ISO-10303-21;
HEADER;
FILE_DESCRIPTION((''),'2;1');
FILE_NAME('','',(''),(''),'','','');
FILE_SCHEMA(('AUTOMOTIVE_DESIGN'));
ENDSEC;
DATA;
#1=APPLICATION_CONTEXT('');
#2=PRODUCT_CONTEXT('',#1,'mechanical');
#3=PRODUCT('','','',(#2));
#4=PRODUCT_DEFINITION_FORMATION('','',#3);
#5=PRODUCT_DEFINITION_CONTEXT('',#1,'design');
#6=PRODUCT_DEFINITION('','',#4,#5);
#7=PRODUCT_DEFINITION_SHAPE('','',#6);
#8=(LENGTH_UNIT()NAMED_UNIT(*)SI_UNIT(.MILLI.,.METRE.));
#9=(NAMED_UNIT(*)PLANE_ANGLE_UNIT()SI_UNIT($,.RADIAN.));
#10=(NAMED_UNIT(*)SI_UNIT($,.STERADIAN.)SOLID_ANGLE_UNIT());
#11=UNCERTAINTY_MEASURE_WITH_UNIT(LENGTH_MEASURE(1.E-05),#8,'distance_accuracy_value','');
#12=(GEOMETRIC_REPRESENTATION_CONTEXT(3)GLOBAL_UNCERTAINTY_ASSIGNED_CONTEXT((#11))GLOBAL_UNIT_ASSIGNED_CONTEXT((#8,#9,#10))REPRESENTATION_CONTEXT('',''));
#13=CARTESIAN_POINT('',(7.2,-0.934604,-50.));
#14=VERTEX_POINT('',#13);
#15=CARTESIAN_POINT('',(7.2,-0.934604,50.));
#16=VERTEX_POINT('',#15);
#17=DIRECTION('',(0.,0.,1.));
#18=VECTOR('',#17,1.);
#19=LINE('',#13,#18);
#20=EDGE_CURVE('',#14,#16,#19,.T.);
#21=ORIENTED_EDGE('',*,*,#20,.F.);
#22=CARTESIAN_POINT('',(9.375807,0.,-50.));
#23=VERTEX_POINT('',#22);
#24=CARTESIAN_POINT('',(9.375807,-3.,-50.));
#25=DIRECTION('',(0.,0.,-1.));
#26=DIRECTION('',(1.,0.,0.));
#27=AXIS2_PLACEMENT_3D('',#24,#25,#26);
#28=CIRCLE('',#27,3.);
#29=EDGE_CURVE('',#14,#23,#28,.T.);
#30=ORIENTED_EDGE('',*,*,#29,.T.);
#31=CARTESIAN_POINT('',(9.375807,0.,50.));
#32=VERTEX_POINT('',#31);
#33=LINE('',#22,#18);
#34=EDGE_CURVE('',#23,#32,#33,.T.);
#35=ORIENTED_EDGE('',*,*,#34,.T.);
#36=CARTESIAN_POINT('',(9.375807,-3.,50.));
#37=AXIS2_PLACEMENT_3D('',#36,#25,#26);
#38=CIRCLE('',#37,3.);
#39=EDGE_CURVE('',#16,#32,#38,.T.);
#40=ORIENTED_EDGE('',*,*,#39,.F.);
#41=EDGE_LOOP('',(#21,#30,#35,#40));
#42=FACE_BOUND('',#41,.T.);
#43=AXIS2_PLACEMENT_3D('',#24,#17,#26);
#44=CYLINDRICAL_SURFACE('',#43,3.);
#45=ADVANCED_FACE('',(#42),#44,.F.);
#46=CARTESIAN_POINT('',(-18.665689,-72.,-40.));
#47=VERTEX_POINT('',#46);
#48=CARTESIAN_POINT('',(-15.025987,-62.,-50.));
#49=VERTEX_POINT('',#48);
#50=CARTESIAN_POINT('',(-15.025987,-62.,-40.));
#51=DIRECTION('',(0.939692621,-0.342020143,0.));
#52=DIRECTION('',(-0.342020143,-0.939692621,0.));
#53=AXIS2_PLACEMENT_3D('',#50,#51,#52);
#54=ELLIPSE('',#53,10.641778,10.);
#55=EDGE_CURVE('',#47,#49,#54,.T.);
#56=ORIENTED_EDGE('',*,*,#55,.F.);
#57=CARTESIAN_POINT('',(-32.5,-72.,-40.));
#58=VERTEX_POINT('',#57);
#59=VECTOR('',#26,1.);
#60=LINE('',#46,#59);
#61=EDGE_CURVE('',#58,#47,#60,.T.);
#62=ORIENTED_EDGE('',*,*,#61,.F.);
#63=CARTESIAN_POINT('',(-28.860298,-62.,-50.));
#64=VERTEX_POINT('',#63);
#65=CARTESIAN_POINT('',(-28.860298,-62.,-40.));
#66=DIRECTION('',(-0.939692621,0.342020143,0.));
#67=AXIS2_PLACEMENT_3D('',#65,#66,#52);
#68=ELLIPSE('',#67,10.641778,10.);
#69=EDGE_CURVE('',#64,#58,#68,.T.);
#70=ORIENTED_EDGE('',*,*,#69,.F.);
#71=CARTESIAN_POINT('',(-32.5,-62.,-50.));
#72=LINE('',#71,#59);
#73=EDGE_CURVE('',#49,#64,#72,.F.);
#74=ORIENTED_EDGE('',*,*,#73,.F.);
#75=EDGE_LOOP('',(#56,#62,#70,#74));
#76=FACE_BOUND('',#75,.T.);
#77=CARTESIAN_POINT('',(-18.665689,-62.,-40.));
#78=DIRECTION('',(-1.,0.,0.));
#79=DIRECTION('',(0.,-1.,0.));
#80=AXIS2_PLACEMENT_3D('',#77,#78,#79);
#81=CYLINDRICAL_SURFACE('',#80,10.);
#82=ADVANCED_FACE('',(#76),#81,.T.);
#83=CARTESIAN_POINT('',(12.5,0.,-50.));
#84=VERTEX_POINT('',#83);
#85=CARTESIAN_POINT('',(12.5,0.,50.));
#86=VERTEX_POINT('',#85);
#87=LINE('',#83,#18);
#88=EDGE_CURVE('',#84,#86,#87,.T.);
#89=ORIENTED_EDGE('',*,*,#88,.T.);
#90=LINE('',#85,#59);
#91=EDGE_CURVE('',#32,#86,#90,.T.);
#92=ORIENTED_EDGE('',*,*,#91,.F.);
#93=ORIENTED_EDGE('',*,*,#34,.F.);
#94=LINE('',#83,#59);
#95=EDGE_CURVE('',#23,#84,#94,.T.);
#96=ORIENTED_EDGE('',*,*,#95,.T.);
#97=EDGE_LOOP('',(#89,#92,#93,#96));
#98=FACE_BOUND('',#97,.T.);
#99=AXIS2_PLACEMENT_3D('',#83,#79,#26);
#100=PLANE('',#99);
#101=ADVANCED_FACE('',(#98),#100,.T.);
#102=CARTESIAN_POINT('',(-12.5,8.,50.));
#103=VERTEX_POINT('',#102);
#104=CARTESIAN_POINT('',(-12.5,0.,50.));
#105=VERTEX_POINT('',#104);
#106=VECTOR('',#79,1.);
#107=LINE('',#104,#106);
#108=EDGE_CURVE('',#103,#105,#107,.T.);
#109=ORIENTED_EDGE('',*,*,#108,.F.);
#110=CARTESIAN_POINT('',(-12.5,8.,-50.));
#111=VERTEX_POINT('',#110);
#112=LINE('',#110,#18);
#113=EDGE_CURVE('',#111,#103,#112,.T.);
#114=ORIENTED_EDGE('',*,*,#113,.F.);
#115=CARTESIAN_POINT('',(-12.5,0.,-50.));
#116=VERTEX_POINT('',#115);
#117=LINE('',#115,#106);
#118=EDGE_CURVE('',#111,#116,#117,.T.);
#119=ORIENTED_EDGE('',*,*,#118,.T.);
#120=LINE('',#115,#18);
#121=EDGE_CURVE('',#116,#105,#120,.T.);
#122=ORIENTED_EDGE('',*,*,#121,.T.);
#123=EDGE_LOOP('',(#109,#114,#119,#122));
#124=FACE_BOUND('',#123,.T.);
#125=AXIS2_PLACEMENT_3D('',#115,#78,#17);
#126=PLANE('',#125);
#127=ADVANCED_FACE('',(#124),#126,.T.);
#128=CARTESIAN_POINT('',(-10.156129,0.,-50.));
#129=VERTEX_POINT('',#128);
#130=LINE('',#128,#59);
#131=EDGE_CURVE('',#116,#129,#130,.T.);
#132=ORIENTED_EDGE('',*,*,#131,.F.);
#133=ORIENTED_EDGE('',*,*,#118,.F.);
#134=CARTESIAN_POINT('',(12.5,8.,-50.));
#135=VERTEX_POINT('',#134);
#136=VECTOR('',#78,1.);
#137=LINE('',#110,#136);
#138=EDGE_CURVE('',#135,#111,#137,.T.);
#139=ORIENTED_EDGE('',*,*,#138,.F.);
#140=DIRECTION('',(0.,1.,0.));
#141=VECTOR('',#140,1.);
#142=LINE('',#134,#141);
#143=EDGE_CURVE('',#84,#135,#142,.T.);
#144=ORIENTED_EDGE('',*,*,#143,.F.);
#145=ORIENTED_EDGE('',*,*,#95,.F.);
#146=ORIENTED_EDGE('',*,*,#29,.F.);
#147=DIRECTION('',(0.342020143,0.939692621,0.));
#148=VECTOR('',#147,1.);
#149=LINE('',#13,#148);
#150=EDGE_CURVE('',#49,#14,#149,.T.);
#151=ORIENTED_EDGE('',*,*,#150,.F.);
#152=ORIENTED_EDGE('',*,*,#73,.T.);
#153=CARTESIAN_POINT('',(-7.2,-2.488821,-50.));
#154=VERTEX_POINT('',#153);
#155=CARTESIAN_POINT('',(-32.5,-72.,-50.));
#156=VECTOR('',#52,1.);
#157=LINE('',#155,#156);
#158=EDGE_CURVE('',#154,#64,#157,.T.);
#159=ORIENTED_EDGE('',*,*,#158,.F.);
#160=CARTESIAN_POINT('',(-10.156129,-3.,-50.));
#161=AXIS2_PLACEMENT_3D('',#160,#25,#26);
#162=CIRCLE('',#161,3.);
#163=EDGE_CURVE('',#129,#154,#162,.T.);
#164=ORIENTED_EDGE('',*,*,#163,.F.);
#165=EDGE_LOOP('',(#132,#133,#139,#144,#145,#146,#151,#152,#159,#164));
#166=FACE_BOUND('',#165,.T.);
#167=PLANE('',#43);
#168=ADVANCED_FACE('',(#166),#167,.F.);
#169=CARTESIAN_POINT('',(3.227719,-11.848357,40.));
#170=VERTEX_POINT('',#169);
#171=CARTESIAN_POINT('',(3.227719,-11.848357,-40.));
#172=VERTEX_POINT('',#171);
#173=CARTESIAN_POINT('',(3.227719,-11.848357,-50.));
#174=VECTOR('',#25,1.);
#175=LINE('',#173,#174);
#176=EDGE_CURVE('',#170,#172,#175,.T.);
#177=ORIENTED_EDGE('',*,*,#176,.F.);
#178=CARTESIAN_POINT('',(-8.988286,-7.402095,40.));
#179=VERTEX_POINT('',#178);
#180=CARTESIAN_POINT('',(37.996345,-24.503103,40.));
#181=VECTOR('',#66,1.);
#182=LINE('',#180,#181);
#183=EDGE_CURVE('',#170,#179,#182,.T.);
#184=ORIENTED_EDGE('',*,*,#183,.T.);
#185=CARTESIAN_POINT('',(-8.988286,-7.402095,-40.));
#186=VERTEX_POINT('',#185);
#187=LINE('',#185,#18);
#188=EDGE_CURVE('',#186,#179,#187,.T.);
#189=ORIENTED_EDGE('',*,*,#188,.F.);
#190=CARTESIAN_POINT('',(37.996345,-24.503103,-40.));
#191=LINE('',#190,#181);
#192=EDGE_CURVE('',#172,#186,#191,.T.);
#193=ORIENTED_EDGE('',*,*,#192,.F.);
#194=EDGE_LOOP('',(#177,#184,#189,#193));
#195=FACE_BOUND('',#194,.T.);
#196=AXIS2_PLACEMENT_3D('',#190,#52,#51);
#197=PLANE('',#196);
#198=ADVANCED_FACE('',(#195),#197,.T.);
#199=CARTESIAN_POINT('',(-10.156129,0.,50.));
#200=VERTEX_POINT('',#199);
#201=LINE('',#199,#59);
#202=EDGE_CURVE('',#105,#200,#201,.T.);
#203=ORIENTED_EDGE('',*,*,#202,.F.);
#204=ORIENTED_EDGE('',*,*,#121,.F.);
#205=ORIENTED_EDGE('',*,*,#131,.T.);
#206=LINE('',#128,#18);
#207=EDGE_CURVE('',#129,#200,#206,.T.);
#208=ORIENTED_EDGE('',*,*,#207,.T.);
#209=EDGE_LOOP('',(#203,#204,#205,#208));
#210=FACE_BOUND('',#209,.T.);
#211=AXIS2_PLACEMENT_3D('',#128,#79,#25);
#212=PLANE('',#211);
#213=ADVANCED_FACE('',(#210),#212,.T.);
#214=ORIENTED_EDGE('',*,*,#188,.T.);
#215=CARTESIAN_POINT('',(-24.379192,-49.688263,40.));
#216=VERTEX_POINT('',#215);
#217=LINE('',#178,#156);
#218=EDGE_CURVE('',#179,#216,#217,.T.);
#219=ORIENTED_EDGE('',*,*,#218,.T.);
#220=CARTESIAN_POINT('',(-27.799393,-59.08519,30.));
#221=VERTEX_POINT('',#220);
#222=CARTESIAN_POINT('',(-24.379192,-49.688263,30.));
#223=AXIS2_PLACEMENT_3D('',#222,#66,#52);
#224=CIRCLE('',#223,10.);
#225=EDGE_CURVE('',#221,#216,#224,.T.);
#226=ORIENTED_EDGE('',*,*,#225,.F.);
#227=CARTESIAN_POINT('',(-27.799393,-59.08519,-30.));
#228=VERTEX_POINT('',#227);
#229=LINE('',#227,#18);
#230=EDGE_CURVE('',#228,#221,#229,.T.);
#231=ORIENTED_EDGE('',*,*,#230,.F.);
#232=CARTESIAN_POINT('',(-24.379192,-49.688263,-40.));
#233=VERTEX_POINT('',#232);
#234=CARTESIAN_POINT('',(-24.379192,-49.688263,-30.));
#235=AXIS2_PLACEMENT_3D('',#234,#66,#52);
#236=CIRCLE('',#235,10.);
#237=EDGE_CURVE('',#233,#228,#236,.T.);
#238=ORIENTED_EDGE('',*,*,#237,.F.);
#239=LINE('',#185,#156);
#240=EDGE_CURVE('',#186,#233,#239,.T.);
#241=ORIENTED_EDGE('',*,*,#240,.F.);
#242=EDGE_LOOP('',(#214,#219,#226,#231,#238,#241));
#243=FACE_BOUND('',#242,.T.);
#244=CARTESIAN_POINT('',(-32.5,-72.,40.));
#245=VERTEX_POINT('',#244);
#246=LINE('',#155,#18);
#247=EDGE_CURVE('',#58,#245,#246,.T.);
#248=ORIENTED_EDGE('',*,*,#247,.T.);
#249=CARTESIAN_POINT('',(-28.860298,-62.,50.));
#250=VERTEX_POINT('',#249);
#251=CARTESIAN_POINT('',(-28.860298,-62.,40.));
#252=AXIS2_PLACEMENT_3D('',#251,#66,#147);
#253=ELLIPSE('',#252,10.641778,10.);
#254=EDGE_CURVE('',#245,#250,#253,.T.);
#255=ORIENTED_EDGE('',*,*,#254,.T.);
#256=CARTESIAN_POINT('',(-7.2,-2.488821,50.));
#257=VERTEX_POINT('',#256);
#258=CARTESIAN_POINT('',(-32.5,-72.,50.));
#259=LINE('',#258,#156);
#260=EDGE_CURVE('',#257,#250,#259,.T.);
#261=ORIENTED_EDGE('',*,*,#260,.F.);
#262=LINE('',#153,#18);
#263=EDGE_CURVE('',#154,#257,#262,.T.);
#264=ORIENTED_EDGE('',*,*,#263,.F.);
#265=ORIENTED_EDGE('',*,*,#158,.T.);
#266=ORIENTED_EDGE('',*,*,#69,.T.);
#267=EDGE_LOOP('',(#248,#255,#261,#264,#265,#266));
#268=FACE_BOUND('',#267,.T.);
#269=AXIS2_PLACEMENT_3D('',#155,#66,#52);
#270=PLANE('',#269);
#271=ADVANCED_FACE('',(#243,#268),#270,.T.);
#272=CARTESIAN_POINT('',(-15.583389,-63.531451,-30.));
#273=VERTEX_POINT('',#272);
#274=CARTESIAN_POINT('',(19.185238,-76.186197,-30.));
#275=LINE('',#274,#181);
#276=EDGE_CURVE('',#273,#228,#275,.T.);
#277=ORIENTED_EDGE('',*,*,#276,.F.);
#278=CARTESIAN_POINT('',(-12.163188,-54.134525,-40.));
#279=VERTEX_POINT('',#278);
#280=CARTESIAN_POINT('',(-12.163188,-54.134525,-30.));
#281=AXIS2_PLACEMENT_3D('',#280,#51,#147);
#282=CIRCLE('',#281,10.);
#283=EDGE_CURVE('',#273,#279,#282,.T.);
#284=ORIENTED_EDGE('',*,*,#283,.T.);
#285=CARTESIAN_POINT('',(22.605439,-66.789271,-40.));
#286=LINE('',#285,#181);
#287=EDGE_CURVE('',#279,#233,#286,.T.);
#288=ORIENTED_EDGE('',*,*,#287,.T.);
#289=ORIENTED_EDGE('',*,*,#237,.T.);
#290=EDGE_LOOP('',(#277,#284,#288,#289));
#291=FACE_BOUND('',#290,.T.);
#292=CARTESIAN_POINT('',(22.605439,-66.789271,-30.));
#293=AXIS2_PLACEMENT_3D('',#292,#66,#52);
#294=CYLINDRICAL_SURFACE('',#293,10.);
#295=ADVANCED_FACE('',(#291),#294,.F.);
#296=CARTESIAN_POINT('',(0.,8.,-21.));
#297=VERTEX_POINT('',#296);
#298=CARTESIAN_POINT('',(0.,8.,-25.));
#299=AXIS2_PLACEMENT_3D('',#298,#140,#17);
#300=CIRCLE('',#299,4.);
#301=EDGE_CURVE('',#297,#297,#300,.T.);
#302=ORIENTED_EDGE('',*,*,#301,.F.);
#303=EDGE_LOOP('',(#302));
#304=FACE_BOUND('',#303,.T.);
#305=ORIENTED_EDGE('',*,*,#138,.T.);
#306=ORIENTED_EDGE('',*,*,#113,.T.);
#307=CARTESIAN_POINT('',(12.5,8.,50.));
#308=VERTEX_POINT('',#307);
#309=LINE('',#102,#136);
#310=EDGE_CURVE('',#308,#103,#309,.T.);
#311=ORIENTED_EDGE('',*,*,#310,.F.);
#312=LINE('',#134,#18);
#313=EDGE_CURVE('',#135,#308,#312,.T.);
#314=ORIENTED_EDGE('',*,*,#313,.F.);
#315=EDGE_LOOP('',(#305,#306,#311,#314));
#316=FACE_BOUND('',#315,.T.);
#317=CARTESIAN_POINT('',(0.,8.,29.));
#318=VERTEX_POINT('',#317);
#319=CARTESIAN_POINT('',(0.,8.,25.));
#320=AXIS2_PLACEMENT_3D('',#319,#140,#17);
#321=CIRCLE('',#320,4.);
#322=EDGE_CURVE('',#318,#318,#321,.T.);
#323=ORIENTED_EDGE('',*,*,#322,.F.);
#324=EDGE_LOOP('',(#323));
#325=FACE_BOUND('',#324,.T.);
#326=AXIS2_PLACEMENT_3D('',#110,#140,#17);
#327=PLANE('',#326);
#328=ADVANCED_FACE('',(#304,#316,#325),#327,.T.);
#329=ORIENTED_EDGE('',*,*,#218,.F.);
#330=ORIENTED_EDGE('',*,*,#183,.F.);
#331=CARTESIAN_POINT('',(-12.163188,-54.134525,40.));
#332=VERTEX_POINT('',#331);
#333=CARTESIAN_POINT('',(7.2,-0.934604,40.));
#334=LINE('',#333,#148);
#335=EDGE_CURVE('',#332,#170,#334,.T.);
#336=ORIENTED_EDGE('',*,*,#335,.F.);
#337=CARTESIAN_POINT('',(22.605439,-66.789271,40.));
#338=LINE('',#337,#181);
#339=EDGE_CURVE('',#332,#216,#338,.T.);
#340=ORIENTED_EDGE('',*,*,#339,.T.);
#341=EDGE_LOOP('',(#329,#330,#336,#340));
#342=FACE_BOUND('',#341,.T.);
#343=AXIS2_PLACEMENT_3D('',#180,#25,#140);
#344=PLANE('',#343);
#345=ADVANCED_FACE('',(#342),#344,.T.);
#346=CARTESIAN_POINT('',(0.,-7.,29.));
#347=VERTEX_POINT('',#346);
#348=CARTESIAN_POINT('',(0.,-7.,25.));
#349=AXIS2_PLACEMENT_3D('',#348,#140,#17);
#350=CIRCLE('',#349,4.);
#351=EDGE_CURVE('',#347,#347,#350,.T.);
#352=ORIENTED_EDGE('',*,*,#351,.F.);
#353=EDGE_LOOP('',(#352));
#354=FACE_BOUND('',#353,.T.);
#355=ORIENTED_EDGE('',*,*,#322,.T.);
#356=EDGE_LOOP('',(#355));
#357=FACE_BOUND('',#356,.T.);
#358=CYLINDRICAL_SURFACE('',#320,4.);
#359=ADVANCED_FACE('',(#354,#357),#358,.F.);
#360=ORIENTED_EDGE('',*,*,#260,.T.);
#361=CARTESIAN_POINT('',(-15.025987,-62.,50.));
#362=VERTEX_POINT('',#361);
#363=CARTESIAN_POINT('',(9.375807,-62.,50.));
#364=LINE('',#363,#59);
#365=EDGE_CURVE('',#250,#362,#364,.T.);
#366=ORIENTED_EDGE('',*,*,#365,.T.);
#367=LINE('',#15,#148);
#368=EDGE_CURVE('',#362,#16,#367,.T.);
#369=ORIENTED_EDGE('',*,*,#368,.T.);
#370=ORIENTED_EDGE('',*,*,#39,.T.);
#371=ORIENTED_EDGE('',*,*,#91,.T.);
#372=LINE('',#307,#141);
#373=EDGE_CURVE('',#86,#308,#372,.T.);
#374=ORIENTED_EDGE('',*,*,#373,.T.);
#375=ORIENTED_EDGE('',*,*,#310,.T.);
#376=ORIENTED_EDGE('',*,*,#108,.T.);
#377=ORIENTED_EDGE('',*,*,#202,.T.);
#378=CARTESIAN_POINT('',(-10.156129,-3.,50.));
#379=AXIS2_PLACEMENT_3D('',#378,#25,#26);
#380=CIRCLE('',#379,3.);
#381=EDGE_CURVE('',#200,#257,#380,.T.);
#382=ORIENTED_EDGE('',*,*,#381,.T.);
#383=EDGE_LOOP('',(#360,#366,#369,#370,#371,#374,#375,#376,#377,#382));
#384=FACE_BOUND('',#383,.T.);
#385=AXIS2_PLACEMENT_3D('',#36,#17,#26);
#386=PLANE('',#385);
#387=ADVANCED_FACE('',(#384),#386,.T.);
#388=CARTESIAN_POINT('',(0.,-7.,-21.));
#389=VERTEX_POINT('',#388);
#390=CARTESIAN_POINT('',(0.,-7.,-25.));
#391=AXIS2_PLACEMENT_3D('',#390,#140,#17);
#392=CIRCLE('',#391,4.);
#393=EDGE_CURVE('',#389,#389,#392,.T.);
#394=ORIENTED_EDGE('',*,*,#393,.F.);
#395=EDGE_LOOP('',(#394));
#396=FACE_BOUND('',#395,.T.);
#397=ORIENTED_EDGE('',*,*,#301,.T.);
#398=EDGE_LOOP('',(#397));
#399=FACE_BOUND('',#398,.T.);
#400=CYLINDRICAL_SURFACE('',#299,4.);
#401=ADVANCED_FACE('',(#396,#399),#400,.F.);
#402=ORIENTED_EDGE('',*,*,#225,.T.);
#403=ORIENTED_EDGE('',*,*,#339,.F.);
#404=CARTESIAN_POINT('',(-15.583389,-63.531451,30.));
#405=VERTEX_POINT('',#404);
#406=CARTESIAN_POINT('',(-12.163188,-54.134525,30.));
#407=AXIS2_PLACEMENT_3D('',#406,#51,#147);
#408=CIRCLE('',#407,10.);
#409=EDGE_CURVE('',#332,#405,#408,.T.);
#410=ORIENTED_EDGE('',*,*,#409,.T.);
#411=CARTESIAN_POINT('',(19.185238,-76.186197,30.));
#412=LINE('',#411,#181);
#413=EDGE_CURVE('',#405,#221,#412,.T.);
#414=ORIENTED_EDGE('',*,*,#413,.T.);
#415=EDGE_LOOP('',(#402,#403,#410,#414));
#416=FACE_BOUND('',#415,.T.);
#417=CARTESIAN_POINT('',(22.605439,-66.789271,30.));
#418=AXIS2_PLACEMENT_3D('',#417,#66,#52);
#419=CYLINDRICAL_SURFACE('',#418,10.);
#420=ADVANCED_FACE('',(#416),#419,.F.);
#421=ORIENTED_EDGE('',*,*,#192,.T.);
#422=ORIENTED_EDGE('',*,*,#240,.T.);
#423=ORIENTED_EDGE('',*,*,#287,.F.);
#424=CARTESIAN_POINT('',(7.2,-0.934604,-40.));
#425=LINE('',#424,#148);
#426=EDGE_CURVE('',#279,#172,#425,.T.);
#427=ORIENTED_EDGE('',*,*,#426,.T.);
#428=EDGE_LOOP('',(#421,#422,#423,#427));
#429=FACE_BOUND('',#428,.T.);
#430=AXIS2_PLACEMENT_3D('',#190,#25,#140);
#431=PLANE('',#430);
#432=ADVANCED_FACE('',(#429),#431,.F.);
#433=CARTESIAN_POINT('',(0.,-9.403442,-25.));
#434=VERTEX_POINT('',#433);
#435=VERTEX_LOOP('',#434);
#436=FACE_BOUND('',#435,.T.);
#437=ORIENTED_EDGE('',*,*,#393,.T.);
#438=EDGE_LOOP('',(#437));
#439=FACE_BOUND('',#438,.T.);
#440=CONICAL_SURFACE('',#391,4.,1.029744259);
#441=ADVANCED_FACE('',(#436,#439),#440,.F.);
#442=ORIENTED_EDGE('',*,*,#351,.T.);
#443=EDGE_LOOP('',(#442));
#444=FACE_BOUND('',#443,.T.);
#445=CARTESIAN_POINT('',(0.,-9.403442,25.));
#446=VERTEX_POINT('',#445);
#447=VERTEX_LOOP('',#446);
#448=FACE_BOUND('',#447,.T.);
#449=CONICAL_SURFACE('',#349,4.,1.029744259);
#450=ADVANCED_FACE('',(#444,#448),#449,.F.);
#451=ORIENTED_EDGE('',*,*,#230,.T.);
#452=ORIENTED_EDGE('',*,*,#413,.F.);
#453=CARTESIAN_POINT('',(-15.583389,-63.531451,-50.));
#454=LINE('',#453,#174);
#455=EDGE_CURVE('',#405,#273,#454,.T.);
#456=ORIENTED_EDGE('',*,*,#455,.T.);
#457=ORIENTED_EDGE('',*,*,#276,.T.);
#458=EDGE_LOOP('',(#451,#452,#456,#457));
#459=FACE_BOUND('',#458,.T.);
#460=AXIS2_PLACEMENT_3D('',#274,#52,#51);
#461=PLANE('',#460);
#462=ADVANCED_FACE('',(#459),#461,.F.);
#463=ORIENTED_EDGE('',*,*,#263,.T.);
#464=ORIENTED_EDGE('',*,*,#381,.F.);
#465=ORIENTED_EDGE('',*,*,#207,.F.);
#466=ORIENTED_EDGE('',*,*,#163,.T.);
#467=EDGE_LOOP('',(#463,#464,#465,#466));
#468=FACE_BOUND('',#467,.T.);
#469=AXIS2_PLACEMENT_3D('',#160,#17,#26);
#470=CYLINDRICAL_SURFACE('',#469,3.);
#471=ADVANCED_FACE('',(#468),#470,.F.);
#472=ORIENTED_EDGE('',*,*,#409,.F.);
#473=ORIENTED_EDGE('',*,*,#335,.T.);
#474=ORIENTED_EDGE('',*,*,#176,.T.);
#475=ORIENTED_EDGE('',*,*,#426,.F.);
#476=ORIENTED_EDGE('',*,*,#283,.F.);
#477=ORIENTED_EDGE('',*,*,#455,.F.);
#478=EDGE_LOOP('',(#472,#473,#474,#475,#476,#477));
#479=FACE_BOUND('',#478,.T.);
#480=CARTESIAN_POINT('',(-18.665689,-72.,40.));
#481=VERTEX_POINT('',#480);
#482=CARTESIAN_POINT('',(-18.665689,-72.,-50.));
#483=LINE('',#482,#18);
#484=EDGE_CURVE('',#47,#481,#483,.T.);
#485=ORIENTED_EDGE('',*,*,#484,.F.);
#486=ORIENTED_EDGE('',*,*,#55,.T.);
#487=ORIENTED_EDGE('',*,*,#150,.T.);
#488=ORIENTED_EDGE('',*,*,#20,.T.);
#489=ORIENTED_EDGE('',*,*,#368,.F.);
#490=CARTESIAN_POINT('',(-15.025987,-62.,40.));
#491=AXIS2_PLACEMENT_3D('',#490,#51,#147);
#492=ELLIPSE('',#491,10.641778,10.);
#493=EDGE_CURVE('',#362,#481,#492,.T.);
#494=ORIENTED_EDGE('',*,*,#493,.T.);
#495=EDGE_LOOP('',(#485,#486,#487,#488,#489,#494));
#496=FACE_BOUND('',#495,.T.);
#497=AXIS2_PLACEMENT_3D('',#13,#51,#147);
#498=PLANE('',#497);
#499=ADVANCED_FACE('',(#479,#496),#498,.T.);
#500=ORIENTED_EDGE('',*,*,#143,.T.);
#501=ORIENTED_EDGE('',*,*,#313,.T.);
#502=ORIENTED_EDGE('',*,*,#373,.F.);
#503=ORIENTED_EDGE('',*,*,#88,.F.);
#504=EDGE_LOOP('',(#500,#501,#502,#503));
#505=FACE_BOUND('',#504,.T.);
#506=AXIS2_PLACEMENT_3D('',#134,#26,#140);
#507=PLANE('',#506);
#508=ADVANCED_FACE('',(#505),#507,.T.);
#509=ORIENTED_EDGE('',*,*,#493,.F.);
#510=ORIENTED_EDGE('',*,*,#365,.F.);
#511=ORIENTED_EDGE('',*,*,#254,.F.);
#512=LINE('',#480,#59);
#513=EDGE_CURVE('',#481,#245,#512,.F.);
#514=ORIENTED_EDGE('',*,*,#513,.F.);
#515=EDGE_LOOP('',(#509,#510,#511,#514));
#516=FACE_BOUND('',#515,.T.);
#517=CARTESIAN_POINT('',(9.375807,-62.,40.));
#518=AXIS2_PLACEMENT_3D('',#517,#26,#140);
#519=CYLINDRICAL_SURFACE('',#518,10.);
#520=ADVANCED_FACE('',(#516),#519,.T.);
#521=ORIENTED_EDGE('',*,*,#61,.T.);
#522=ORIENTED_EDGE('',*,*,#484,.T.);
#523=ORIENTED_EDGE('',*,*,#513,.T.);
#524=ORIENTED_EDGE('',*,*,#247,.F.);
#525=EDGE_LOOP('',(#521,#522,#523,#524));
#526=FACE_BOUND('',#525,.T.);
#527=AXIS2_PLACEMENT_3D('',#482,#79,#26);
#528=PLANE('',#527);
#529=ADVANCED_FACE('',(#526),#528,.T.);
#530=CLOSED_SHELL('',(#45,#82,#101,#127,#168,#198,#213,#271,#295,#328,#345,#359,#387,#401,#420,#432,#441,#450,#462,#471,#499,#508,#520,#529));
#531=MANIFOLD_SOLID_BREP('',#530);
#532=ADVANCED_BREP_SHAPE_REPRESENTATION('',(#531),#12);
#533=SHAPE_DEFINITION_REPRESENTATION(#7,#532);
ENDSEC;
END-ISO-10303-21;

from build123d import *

# Parameters (mm, degrees)
BOSS_EXTRUDE1_DEPTH       = 50
BOSS_EXTRUDE1_DEPTH_BACK  = 50
FILLET1_R                 = 10
CUT_EXTRUDE2_DEPTH        = 50
F_1_0MM_DOWEL_HOLE1_D     = 8
F_1_0MM_DOWEL_HOLE1_DEPTH = 15
F_1_0MM_DOWEL_HOLE1_TIP   = 2.403442476


with BuildPart() as part:
    # Sketch1 → Boss-Extrude1 (new body, two sides)
    with BuildSketch(Plane.XY) as boss_extrude1_sk:
        with BuildLine():
            Line((-12.5, 8), (12.5, 8))
            Line((12.5, 8), (12.5, 0))
            Line((12.5, 0), (9.375807417, 0))
            ThreePointArc((9.375807417, 0), (8.191786524, -0.243535865), (7.2, -0.93460365))
            Line((7.2, -0.93460365), (-18.665688958, -72))
            Line((-18.665688958, -72), (-32.5, -72))
            Line((-32.5, -72), (-7.2, -2.488821288))
            ThreePointArc((-7.2, -2.488821288), (-8.223971278, -0.705055977), (-10.156128604, 0))
            Line((-10.156128604, 0), (-12.5, 0))
            Line((-12.5, 0), (-12.5, 8))
        make_face()
    extrude(amount=BOSS_EXTRUDE1_DEPTH)
    extrude(boss_extrude1_sk.sketch, amount=-BOSS_EXTRUDE1_DEPTH_BACK)

    # Fillet1
    fillet1_edges = [part.edges().sort_by_distance(p)[0] for p in [
        (-25.582844479, -72, -50),
        (-25.582844479, -72, 50),
    ]]
    fillet(fillet1_edges, radius=FILLET1_R)

    # Sketch2 → Cut-Extrude2 (cut)
    with BuildSketch(Plane(origin=(-5.557868252, 2.02289861, 0), x_dir=(0, 0, 1), z_dir=(-0.939692621, 0.342020143, 0))):
        with BuildLine():
            Line((-40, -10.029869223), (40, -10.029869223))
            Line((40, -10.029869223), (40, -55.029869223))
            ThreePointArc((40, -55.029869223), (37.071067812, -62.100937034), (30, -65.029869223))
            Line((30, -65.029869223), (-30, -65.029869223))
            ThreePointArc((-30, -65.029869223), (-37.071067812, -62.100937034), (-40, -55.029869223))
            Line((-40, -55.029869223), (-40, -10.029869223))
        make_face()
    extrude(amount=-CUT_EXTRUDE2_DEPTH, mode=Mode.SUBTRACT)

    # 1.0mm Dowel Hole1
    with Locations(Plane(origin=(0, 8, 0), x_dir=(1, 0, 0), z_dir=(0, 1, 0))):
        with Locations((0, 25), (0, -25)):
            Hole(F_1_0MM_DOWEL_HOLE1_D / 2, depth=F_1_0MM_DOWEL_HOLE1_DEPTH)
            with Locations((0, 0, -(F_1_0MM_DOWEL_HOLE1_DEPTH + F_1_0MM_DOWEL_HOLE1_TIP / 2))):  # 118° drill point
                Cone(0, F_1_0MM_DOWEL_HOLE1_D / 2, F_1_0MM_DOWEL_HOLE1_TIP, mode=Mode.SUBTRACT)


solid = part.part
